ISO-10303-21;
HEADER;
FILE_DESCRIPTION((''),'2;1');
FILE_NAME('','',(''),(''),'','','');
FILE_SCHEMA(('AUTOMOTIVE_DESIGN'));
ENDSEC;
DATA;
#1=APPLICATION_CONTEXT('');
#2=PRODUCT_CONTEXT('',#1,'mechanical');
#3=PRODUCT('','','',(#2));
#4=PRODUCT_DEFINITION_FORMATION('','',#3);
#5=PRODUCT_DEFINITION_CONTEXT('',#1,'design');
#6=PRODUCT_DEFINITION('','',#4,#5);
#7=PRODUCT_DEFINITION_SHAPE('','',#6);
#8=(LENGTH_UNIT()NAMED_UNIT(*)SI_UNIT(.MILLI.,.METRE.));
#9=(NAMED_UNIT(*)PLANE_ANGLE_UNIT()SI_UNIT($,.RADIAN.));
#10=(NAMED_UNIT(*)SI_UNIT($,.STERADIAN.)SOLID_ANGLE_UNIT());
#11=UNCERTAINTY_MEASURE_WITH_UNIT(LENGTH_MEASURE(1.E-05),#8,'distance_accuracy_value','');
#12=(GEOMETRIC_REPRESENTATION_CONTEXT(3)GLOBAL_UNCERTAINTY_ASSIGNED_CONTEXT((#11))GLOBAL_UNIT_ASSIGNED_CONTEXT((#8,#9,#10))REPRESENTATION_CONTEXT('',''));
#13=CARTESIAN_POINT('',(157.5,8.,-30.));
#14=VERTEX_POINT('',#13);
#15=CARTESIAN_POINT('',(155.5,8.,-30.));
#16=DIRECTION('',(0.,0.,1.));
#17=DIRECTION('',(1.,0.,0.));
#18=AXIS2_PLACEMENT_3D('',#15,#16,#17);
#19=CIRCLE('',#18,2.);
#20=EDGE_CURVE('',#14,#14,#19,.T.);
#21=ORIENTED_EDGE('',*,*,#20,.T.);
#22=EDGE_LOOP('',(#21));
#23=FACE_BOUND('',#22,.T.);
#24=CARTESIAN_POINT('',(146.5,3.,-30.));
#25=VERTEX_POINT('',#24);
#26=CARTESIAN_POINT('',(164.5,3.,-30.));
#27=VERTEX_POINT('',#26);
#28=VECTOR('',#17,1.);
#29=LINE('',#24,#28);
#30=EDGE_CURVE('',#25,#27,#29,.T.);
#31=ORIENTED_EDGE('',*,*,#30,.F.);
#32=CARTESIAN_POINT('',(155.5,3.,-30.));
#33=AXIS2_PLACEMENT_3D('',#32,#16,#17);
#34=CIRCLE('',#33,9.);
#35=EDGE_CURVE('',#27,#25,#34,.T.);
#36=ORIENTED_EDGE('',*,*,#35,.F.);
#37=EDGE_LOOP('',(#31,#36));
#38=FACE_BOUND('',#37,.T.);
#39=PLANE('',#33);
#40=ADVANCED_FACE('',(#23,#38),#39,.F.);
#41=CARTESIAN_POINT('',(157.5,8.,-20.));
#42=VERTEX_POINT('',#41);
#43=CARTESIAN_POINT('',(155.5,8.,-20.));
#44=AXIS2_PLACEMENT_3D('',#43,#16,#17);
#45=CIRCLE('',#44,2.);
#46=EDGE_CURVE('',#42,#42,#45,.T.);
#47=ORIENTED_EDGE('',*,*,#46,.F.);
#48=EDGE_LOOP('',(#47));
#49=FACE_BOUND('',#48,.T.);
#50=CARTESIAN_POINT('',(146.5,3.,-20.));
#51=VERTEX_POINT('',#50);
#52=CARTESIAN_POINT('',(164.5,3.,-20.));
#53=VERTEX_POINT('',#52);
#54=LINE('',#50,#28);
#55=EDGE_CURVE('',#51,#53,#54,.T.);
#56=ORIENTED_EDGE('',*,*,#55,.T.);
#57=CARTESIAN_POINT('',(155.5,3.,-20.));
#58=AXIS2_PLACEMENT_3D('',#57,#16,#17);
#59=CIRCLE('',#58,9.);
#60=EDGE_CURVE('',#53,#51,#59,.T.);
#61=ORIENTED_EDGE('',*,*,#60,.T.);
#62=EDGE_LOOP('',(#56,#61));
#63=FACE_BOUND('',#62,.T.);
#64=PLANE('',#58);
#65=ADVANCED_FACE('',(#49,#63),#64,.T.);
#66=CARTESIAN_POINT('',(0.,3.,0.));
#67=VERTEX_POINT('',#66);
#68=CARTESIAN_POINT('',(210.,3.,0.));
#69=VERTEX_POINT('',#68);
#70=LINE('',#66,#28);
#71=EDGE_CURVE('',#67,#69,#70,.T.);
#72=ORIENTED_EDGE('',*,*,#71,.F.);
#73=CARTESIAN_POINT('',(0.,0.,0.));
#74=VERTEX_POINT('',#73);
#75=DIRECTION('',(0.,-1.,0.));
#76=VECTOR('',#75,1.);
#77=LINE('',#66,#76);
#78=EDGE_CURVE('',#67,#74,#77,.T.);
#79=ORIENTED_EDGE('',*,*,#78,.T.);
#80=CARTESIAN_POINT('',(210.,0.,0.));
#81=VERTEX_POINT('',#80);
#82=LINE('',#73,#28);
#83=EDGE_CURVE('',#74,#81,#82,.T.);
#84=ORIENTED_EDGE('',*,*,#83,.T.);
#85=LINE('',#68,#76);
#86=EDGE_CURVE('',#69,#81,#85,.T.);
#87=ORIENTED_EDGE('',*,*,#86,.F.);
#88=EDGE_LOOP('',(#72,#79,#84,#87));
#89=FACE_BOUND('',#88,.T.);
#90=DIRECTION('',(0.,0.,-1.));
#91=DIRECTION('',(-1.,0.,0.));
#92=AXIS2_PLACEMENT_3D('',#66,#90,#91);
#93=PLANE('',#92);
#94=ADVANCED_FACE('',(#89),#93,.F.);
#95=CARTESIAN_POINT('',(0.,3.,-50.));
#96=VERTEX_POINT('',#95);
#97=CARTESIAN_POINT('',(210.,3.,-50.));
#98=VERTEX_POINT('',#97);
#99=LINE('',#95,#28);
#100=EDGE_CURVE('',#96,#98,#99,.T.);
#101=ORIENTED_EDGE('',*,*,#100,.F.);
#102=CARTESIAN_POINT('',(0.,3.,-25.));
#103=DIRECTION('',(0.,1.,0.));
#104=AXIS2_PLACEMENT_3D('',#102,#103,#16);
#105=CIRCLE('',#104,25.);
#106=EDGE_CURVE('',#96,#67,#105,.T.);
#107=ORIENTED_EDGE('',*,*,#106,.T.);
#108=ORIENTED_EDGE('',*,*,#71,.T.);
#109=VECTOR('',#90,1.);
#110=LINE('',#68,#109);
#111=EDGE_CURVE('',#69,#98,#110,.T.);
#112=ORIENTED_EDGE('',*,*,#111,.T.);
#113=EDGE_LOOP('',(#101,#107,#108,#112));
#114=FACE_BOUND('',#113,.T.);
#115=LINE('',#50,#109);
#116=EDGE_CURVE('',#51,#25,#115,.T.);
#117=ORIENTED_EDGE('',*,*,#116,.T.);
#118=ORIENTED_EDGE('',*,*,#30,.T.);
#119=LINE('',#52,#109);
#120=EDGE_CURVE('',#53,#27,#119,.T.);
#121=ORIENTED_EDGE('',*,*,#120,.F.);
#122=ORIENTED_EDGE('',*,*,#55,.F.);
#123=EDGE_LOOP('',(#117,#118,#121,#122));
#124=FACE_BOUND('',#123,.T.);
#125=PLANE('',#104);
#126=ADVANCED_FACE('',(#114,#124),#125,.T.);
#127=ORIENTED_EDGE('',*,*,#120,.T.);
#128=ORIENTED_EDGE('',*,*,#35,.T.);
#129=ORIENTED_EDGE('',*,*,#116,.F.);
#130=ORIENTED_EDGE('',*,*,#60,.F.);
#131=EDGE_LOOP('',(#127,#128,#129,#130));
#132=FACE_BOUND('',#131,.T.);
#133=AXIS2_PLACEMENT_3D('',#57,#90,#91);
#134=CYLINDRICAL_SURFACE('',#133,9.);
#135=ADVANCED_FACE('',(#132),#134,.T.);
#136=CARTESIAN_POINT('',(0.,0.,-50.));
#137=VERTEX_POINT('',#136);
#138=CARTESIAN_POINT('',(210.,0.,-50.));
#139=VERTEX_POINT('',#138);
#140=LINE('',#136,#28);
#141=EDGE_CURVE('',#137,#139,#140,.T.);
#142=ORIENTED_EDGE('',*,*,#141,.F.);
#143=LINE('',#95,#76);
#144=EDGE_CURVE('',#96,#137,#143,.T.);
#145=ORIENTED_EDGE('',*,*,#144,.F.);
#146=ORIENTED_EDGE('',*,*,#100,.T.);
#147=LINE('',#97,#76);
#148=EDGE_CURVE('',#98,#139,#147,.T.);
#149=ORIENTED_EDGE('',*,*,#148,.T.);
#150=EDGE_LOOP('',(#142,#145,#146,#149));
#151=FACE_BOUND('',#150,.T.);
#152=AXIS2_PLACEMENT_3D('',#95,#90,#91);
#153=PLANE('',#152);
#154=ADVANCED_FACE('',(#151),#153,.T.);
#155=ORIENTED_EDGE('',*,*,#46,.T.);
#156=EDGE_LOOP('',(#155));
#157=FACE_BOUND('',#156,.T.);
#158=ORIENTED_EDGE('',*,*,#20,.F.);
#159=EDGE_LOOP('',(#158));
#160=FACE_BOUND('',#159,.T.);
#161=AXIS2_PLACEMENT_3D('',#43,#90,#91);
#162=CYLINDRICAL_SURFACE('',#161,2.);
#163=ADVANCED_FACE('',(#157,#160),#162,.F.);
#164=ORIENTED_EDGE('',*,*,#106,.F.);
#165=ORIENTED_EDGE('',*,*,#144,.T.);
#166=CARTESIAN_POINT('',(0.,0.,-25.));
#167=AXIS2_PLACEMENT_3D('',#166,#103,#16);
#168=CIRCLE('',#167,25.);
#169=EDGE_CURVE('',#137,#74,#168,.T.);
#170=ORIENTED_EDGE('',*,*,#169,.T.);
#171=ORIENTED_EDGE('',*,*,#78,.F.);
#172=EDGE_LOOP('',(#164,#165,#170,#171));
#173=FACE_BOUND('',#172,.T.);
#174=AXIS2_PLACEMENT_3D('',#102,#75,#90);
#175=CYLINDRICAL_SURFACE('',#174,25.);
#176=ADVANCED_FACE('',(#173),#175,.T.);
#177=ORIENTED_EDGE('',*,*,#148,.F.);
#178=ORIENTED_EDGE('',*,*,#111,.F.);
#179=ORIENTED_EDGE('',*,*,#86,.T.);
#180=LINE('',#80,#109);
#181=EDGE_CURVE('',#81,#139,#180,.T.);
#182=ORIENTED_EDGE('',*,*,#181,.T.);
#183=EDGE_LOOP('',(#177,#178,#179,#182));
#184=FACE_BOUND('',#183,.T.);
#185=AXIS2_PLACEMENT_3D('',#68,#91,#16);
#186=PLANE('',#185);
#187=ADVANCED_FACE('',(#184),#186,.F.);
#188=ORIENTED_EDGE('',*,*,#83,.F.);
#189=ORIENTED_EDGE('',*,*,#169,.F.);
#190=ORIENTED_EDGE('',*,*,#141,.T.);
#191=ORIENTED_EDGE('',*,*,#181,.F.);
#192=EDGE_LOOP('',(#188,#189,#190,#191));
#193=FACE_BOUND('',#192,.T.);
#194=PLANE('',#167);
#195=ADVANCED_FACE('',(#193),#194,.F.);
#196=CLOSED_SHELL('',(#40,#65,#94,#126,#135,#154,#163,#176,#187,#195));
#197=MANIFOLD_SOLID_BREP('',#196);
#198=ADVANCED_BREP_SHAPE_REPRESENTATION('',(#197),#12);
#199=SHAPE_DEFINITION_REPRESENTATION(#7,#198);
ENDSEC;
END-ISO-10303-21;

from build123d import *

# Parameters (mm, degrees)
BOSS_EXTRUDE1_DEPTH = 3
SKETCH3_R           = 2
BOSS_EXTRUDE2_DEPTH = 5


with BuildPart() as part:
    # Sketch1 → Boss-Extrude1 (new body)
    with BuildSketch(Plane(origin=(0, 0, 0), x_dir=(1, 0, 0), z_dir=(0, 1, 0))):
        with BuildLine():
            Line((0, 0), (210, 0))
            Line((210, 0), (210, 50))
            Line((210, 50), (0, 50))
            ThreePointArc((0, 50), (-25, 25), (0, 0))
        make_face()
    extrude(amount=BOSS_EXTRUDE1_DEPTH)

    # Sketch3 → Boss-Extrude2 (add, symmetric)
    with BuildSketch(Plane.XY.offset(-25)):
        with BuildLine():
            Line((146.5, 3), (164.5, 3))
            ThreePointArc((164.5, 3), (155.5, 12), (146.5, 3))
        make_face()
        with Locations((155.5, 8)):
            Circle(SKETCH3_R, mode=Mode.SUBTRACT)
    extrude(amount=BOSS_EXTRUDE2_DEPTH, both=True)


solid = part.part
